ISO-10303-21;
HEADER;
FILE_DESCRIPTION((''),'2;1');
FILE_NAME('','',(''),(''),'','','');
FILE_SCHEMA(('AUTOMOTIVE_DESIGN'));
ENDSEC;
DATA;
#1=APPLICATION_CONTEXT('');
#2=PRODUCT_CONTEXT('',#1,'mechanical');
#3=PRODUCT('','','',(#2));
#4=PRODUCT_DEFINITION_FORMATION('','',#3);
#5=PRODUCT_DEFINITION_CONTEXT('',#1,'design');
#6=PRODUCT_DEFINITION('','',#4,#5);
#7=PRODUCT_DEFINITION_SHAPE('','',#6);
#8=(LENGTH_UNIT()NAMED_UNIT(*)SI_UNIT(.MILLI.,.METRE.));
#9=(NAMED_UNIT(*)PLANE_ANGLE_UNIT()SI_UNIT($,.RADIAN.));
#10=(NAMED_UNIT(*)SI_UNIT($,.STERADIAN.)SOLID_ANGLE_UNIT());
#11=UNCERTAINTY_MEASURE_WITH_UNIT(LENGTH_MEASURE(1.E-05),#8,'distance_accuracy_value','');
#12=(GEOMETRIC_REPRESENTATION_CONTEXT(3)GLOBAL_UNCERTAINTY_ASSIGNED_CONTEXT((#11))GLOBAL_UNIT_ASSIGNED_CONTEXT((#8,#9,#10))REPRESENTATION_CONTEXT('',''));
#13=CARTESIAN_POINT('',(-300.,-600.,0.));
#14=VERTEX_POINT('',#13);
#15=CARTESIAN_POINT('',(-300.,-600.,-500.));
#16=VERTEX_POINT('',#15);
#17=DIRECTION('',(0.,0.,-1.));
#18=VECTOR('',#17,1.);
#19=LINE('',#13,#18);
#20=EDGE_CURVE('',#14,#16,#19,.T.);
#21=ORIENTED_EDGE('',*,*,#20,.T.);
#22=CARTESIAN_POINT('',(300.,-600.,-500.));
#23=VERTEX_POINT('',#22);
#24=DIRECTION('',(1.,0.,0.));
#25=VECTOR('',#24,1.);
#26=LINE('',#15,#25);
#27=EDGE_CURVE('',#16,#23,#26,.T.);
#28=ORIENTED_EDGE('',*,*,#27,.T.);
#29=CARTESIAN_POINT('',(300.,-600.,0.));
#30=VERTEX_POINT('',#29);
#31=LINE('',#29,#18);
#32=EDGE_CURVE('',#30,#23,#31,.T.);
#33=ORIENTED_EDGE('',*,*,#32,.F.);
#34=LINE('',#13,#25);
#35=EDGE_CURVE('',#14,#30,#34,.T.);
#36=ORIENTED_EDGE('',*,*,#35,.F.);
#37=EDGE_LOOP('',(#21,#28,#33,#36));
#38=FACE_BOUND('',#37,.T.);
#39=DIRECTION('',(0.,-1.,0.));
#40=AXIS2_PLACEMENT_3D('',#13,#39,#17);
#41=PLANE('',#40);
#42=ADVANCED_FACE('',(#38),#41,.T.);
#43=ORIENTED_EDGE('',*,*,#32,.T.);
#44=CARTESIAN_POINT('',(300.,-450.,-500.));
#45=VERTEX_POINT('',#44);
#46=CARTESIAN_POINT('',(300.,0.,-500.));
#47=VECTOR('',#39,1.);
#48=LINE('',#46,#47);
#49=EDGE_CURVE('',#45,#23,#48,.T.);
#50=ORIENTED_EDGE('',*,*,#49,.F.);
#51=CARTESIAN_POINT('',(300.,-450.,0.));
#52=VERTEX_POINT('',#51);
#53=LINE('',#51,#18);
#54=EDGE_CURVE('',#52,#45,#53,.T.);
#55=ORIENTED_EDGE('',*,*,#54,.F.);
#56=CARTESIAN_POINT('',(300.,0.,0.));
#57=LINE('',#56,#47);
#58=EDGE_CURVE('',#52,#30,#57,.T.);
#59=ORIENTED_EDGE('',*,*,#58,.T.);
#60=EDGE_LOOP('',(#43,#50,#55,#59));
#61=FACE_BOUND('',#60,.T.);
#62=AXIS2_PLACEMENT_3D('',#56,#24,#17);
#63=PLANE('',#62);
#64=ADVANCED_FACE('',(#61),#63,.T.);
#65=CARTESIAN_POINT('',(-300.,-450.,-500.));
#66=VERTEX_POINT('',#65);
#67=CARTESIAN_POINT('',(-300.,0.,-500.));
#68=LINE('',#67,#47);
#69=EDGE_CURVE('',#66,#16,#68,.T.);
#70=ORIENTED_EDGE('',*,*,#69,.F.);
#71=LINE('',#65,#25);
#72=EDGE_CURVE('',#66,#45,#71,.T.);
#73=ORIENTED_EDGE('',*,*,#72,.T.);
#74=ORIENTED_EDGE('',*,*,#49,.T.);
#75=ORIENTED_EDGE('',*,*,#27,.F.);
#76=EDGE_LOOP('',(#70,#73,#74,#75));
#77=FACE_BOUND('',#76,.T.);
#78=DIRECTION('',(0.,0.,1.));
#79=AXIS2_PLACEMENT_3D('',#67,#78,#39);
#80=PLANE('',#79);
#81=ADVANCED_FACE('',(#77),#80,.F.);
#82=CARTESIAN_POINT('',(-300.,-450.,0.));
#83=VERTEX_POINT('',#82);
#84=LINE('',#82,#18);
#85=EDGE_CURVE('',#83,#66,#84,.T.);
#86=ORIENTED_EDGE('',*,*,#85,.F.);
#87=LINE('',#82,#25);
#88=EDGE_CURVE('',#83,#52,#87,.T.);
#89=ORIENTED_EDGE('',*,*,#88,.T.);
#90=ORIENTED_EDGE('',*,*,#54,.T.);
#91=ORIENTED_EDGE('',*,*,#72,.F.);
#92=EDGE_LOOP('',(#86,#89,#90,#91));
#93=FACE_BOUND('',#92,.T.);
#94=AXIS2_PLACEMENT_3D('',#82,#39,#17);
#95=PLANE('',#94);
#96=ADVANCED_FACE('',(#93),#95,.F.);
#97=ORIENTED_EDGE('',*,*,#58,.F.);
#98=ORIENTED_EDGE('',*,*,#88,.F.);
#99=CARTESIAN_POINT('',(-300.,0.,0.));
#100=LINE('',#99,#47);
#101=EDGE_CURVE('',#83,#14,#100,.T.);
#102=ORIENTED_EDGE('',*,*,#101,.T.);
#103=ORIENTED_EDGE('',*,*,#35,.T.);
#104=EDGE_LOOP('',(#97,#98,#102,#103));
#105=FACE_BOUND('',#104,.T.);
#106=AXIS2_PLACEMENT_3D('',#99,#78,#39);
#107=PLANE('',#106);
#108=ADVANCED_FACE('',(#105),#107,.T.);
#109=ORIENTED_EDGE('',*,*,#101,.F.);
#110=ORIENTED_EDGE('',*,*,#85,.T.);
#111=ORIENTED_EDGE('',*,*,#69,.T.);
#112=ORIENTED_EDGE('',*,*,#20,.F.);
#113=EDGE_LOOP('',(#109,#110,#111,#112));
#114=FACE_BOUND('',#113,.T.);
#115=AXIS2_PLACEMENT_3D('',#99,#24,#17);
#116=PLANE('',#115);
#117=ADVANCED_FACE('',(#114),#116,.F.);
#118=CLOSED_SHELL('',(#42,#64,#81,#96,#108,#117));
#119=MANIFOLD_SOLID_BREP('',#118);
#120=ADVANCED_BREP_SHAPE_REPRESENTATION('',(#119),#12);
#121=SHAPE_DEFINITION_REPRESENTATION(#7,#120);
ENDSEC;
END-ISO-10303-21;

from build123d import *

# Parameters (mm, degrees)
BOSS_EXTRUDE2_DEPTH      = 300
BOSS_EXTRUDE2_DEPTH_BACK = 300
SKETCH1_W                = 150
SKETCH1_H                = 500


with BuildPart() as part:
    # Sketch1 → Boss-Extrude2 (new, two sides: drawn at the far end of the back side and taken through both)
    with BuildSketch(Plane.YZ.offset(-BOSS_EXTRUDE2_DEPTH_BACK)):
        with Locations((-525, -250)):
            Rectangle(SKETCH1_W, SKETCH1_H)
    extrude(amount=BOSS_EXTRUDE2_DEPTH + BOSS_EXTRUDE2_DEPTH_BACK)


solid = part.part
